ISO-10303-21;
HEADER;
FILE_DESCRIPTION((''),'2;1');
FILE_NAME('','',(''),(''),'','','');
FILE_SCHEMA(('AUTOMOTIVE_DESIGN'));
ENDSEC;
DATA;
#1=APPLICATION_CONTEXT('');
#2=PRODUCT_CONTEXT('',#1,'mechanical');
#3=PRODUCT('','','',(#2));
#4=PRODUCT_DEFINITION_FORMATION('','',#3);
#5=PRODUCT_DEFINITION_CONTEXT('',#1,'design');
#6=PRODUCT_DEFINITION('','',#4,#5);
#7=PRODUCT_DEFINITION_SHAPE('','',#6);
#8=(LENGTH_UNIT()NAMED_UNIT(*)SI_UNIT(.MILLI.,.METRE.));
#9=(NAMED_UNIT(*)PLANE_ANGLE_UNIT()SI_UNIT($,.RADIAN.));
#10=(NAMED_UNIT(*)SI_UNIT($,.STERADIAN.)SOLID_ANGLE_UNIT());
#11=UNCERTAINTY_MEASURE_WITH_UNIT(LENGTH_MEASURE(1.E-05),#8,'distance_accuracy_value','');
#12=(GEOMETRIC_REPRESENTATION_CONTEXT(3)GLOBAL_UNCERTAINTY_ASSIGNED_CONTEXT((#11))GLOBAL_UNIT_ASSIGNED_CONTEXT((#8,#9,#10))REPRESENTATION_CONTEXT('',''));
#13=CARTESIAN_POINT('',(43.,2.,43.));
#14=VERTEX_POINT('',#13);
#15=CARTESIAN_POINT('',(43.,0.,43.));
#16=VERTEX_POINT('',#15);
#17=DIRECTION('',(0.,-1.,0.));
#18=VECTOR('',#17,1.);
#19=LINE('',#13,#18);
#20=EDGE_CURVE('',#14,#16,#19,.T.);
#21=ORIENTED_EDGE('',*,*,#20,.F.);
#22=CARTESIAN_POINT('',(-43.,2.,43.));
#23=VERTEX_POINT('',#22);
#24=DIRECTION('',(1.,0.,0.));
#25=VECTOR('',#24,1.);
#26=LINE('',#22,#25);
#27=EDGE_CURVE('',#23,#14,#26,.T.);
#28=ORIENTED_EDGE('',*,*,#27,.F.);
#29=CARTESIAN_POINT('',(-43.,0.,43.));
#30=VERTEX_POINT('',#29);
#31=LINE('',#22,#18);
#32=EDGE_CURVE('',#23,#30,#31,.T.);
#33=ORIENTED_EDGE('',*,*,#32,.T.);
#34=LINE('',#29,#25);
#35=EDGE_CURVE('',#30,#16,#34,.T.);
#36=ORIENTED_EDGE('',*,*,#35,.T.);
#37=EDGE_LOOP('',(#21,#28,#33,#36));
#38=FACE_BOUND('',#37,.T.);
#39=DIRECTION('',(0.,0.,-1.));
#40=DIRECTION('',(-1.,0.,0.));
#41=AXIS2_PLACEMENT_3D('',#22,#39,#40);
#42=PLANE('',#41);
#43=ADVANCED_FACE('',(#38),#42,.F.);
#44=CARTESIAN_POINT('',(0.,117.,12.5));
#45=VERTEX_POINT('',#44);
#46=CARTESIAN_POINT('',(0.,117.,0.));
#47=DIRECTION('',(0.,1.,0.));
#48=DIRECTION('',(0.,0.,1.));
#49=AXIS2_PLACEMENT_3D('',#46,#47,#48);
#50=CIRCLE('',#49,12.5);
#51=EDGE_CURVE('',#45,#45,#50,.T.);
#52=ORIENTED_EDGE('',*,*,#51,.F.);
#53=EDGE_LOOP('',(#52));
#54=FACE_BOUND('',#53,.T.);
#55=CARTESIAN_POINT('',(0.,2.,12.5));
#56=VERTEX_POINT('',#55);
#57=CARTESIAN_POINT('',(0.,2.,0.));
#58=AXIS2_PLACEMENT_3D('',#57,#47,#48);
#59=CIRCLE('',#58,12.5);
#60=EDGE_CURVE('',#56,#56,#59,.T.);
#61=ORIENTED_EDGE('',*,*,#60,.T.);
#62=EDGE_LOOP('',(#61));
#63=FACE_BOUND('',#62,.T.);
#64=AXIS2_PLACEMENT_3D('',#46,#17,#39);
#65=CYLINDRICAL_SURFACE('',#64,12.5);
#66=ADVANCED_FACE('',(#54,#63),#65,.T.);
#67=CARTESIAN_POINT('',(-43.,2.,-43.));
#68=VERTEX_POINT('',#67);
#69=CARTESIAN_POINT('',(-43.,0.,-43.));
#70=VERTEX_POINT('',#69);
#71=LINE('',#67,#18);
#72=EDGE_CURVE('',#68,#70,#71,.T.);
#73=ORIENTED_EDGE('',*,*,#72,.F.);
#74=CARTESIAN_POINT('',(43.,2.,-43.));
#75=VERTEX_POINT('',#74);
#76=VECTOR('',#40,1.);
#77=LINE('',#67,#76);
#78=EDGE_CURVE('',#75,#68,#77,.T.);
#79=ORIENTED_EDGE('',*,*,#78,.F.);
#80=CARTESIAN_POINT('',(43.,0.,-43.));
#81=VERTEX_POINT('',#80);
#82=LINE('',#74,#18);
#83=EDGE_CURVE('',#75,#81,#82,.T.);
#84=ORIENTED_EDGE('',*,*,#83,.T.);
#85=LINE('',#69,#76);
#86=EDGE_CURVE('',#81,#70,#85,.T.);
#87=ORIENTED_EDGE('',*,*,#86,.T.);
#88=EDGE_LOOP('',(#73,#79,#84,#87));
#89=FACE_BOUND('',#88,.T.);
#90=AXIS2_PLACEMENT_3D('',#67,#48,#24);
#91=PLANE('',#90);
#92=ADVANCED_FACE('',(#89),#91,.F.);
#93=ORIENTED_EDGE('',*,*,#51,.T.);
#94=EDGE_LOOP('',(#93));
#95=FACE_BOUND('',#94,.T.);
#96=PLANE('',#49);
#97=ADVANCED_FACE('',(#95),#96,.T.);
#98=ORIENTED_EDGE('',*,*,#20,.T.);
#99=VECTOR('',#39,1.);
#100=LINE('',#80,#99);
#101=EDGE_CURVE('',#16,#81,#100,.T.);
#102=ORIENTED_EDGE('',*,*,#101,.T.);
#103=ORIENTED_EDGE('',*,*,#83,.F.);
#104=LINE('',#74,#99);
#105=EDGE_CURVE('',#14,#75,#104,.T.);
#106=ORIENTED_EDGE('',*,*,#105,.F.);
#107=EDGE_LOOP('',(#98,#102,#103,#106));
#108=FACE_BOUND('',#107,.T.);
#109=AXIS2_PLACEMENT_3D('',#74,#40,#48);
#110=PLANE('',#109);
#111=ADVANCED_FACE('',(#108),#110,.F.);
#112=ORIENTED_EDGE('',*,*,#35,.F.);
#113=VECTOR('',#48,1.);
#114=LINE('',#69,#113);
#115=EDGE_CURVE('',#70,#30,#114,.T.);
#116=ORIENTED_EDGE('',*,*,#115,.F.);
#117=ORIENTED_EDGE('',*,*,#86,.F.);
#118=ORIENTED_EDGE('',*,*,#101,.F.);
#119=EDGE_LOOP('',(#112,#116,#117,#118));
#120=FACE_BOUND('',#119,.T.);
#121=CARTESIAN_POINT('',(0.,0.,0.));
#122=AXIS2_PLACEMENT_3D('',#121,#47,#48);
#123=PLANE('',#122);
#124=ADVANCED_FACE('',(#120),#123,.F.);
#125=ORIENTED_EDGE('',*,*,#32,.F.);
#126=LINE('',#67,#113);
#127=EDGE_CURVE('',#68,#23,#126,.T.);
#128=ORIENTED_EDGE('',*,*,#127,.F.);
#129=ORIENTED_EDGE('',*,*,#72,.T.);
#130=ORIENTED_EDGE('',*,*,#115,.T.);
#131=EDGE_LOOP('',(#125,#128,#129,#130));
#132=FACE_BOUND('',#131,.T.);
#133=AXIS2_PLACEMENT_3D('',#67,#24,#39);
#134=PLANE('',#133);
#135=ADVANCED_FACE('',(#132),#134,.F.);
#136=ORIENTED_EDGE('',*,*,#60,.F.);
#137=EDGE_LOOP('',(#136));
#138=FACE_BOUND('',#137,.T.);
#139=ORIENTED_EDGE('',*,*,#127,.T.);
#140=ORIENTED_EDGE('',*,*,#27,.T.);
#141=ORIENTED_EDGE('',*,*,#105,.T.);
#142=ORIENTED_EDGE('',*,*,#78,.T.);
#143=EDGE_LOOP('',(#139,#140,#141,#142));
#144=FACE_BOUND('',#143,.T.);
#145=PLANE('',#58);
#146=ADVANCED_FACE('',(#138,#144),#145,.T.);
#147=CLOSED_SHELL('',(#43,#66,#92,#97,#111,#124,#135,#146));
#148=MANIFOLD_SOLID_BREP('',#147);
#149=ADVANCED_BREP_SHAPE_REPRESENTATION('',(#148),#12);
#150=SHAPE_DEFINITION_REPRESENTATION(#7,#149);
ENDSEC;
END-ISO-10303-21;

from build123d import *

# Parameters (mm, degrees)
SKETCH1_W           = 86
SKETCH1_H           = 86
BOSS_EXTRUDE1_DEPTH = 2
SKETCH2_R           = 12.5
BOSS_EXTRUDE2_DEPTH = 115


with BuildPart() as part:
    # Sketch1 → Boss-Extrude1 (new body)
    with BuildSketch(Plane(origin=(0, 0, 0), x_dir=(1, 0, 0), z_dir=(0, 1, 0))):
        Rectangle(SKETCH1_W, SKETCH1_H)
    extrude(amount=BOSS_EXTRUDE1_DEPTH)

    # Sketch2 → Boss-Extrude2 (add)
    with BuildSketch(Plane(origin=(0, 2, 0), x_dir=(1, 0, 0), z_dir=(0, 1, 0))):
        Circle(SKETCH2_R)
    extrude(amount=BOSS_EXTRUDE2_DEPTH)


solid = part.part
